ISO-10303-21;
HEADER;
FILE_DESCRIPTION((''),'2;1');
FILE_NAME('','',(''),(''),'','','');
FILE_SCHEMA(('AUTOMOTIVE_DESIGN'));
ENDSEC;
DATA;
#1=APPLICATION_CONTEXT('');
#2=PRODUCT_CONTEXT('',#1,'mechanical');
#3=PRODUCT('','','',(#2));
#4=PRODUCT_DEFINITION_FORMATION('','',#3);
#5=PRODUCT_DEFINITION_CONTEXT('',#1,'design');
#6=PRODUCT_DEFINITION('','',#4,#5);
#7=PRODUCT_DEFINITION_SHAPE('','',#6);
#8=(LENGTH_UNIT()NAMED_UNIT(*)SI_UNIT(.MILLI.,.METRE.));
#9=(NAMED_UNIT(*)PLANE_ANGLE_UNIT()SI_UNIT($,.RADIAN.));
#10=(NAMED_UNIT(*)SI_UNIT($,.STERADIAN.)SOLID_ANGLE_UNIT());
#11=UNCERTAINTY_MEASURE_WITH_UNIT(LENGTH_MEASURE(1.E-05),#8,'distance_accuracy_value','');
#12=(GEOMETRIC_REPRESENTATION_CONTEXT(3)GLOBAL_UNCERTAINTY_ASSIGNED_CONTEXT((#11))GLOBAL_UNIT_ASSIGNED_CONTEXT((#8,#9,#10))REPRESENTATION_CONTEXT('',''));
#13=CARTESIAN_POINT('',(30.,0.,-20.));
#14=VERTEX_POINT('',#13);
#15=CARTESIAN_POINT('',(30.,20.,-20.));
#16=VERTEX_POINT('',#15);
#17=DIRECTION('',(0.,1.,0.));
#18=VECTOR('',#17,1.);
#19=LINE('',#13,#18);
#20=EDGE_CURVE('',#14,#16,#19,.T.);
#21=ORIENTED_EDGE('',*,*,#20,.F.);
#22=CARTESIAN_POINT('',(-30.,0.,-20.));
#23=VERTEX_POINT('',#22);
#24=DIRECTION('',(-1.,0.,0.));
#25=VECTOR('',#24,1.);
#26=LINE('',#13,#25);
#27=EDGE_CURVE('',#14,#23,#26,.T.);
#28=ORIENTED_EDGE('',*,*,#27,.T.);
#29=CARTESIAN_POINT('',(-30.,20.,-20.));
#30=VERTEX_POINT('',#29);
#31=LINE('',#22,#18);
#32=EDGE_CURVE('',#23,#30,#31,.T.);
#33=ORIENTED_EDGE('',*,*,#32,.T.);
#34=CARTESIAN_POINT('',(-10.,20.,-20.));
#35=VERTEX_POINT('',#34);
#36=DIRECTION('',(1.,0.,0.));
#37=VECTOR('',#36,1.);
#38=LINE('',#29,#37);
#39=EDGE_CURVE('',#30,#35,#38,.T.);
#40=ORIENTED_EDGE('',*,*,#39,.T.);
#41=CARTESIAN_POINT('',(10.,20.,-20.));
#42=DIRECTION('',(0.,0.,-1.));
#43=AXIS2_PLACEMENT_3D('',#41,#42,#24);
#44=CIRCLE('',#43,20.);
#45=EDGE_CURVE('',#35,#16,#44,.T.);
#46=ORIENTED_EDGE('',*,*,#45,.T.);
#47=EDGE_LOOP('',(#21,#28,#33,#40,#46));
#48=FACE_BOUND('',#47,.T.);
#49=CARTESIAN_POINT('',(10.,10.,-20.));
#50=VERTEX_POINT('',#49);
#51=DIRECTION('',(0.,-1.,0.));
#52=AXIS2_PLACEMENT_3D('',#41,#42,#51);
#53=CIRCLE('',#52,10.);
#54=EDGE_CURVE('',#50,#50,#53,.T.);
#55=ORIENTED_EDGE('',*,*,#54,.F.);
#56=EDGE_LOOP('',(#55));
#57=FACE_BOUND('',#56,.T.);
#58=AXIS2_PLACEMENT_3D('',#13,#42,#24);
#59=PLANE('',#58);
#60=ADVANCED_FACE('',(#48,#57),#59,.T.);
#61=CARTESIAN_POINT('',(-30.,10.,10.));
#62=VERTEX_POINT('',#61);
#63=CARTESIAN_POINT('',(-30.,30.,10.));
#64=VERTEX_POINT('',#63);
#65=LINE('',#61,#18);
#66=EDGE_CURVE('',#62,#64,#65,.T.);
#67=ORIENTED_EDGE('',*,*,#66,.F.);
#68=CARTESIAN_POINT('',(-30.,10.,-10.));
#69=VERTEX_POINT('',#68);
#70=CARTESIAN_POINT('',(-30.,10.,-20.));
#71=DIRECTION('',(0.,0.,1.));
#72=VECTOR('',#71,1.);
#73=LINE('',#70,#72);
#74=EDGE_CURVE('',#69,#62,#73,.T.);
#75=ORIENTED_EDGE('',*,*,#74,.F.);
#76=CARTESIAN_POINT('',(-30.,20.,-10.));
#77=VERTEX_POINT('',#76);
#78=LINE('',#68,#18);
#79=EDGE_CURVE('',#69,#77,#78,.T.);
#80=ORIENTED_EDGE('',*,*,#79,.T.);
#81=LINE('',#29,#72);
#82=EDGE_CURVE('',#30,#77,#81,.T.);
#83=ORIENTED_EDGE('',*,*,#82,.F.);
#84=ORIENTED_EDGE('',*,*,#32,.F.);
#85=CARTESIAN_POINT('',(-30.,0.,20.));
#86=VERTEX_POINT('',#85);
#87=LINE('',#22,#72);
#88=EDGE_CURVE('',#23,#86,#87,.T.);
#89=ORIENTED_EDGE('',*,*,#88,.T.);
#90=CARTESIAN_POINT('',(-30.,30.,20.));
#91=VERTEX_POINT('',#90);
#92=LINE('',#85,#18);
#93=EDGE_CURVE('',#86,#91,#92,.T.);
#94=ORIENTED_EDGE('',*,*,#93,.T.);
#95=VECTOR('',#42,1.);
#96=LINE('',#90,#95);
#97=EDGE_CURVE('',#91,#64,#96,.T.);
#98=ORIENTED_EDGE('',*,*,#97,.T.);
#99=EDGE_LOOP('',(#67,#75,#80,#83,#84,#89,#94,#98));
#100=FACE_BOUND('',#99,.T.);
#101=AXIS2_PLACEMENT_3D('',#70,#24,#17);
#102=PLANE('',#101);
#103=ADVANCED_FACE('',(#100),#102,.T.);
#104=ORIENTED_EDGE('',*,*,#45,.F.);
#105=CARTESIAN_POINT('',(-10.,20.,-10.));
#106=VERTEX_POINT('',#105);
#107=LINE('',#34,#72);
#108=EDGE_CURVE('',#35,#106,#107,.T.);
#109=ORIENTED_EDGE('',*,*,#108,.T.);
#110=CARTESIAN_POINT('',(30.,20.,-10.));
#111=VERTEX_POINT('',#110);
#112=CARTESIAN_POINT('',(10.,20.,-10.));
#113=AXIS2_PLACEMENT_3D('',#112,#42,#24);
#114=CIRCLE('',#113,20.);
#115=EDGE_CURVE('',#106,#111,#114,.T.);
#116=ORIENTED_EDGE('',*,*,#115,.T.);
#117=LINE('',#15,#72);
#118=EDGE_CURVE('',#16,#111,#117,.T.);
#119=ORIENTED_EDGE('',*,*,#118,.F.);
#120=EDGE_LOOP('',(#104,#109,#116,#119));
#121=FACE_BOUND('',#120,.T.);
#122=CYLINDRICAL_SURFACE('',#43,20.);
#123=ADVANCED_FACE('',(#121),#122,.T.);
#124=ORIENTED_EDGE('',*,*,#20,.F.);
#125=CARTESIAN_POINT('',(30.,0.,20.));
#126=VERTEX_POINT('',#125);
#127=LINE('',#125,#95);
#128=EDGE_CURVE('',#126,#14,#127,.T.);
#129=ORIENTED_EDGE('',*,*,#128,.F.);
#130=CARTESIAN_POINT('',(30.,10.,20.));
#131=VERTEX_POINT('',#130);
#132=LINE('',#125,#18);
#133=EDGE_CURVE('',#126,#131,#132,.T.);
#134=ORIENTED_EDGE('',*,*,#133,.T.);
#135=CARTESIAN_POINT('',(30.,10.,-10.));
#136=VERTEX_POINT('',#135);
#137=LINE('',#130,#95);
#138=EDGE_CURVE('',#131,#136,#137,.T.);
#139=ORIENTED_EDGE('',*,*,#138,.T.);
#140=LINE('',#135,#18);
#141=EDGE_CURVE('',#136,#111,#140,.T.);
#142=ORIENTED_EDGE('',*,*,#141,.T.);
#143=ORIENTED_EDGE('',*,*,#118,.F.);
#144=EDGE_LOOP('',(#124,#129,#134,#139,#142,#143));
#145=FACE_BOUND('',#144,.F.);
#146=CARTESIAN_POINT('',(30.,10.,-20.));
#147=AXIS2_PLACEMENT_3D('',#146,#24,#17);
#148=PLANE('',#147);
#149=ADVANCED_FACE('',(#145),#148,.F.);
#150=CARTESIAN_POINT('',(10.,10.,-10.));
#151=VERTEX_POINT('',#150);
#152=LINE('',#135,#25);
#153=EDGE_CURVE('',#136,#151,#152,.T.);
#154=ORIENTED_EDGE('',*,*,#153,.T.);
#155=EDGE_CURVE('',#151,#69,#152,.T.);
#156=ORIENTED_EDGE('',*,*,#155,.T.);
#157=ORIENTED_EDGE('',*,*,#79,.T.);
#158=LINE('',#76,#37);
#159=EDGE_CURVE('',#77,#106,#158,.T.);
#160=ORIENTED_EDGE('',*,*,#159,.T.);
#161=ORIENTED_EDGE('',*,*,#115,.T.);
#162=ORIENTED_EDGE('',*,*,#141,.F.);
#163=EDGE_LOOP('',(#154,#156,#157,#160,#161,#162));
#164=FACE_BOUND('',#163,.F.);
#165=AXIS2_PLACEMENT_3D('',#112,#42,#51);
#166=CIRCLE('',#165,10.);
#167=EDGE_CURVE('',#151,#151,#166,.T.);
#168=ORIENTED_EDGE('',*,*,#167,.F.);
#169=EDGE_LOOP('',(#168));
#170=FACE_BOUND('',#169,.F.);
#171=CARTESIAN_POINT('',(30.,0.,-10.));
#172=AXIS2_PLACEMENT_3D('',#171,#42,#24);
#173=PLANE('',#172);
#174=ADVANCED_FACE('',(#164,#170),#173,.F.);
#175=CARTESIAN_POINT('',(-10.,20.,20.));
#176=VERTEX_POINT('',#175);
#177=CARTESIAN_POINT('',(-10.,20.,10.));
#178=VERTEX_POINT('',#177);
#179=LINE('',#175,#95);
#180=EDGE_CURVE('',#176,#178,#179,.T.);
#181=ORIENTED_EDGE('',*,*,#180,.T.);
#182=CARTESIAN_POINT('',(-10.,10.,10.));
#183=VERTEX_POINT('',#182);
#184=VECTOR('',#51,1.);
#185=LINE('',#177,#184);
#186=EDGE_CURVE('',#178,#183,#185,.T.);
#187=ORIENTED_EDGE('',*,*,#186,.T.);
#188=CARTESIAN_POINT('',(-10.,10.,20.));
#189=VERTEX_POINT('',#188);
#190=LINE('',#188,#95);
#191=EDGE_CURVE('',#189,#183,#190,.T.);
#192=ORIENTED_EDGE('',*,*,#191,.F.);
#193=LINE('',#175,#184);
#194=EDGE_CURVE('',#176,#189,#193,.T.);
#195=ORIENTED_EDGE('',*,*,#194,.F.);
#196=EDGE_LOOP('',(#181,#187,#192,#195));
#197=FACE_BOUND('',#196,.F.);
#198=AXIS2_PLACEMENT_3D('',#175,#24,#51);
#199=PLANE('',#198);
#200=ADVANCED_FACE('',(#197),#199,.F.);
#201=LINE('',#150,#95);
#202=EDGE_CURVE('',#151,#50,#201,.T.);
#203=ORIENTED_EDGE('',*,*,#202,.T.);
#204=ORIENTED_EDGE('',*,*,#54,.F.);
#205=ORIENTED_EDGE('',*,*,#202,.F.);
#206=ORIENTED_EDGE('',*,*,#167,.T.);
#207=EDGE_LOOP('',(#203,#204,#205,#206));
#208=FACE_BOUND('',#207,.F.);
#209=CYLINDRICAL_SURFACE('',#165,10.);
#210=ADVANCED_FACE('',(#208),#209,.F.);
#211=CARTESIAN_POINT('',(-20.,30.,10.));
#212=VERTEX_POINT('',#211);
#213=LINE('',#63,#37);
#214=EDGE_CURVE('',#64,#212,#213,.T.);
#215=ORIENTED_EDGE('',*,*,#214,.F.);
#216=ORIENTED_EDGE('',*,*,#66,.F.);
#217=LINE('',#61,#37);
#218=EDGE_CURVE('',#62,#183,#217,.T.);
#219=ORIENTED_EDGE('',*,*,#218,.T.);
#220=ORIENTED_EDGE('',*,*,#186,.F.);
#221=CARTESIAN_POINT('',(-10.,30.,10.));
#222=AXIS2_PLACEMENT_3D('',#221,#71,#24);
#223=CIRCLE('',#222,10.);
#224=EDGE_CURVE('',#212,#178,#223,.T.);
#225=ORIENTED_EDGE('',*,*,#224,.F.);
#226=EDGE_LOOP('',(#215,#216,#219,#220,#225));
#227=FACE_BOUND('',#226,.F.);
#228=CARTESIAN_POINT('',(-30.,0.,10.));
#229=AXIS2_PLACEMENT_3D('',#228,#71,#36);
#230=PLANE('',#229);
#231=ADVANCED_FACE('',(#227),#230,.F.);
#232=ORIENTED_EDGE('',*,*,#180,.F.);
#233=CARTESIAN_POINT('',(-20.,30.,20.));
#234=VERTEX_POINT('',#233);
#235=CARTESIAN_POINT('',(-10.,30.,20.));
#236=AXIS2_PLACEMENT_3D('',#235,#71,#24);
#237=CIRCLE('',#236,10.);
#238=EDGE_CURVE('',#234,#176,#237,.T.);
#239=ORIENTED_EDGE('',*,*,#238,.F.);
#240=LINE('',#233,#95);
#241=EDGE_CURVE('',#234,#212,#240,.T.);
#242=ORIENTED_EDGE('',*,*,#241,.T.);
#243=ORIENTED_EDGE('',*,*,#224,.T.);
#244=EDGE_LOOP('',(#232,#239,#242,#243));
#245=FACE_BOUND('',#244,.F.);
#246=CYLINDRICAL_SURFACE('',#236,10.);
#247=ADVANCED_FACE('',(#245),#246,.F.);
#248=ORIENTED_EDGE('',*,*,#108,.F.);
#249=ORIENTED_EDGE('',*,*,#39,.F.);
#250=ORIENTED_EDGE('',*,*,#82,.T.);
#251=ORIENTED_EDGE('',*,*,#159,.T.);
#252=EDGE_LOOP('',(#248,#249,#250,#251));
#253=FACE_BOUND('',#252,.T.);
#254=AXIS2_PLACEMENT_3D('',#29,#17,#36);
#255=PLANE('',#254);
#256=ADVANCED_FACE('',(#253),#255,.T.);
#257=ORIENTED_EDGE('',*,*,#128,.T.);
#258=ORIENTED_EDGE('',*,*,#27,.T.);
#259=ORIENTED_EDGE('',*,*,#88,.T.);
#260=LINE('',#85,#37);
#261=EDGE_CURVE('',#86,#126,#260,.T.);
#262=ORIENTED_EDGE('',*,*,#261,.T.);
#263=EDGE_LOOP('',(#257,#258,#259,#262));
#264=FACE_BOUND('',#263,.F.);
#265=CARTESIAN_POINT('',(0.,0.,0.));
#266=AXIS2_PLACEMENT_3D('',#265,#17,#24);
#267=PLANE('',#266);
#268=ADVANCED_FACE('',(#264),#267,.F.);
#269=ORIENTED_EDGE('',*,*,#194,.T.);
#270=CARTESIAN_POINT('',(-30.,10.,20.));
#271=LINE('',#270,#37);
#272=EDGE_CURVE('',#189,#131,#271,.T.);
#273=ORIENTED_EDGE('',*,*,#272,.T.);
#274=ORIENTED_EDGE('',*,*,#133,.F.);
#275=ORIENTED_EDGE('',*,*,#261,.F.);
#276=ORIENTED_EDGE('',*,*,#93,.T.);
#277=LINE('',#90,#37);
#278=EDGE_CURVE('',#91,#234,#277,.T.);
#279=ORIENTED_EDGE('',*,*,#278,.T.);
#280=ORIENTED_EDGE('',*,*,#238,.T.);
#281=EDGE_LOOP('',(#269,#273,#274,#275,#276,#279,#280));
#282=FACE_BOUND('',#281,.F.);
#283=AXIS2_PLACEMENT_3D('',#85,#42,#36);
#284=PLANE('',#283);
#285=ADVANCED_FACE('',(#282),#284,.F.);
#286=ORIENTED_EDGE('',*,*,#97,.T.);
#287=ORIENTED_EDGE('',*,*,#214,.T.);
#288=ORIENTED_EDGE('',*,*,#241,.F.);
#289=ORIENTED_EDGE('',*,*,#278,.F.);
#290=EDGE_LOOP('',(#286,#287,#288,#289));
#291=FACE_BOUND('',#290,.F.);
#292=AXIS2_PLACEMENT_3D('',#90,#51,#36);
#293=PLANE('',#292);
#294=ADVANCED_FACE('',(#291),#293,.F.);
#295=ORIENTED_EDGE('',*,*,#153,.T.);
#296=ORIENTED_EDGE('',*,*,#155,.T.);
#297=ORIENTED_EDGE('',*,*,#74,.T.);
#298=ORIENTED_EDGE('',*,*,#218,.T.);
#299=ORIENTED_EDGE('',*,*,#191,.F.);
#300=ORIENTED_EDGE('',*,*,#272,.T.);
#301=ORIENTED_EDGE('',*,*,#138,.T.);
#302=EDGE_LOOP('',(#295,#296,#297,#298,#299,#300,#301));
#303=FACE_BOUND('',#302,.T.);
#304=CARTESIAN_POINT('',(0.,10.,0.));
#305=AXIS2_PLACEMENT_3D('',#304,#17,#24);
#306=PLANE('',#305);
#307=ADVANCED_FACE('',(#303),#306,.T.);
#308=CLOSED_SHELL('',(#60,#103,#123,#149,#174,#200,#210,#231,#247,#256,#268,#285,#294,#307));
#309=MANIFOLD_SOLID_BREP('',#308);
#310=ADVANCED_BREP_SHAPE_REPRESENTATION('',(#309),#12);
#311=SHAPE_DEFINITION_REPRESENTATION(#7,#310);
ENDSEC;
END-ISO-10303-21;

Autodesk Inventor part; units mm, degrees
ref_plane "YZ Plane" through (0, 0, 0) normal (1, 0, 0) x (0, 1, 0)
ref_plane "XZ Plane" through (0, 0, 0) normal (0, 1, 0) x (-1, 0, 0)
ref_plane "XY Plane" through (0, 0, 0) normal (0, 0, 1) x (1, 0, 0)
sketch "草圖1" plane through (0, 0, 0) normal (0, 1, 0) x (-1, 0, 0)
  line L0 (30, 20) -> (-30, 20)
  line L1 (-30, 20) -> (-30, -20)
  line L2 (-30, -20) -> (30, -20)
  line L3 (30, -20) -> (30, 20)
  line L4 (30, 20) -> (-30, -20) construction
  line L5 (-30, 20) -> (30, -20) construction
  point P0 (0, 0)
  dimension "d0" = 60
  dimension "d1" = 40
extrude "擠出1" add sketch "草圖1" along normal blind 10
sketch "草圖2" plane through (-30, 0, 20) normal (0, 0, 1) x (1, 0, 0)
  line L0 (0, 0) -> (0, 10) projected
  line L1 (0, 10) -> (60, 10) projected
  line L2 (60, 10) -> (60, 0) projected
  line L3 (60, 0) -> (0, 0) projected
  line L4 (60, 10) -> (0, 10) projected
  line L5 (0, 10) -> (0, 30)
  line L6 (0, 30) -> (10, 30)
  arc A0 (10, 30) -> (20, 20) centre (20, 30) ccw
  line L7 (20, 20) -> (20, 10)
  line L8 (0, 10) -> (60, 10) projected
  point P0 (30, 0)
  dimension "d4" = 20
  dimension "d5" = 30
  dimension "d6" = 10
  dimension "d7" = 10
extrude "擠出2" add sketch "草圖2" against normal blind 10 contours L5 L6 A0 L7 L1
sketch "草圖3" plane through (30, 0, -20) normal (0, 0, -1) x (-1, 0, 0)
  line L0 (60, 10) -> (60, 0) projected
  line L1 (60, 0) -> (0, 0) projected
  line L2 (0, 0) -> (0, 10) projected
  line L3 (0, 10) -> (60, 10) projected
  line L4 (60, 10) -> (60, 20)
  line L5 (60, 20) -> (40, 20)
  line L6 (0, 10) -> (0, 20)
  arc A0 (40, 20) -> (0, 20) centre (20, 20) ccw
  point P0 (30, 0)
  dimension "d10" = 20
  dimension "d11" = 20
extrude "擠出3" add sketch "草圖3" against normal blind 10 contours L3 L6 A0 L5 L4
sketch "草圖4" plane through (30, 0, -10) normal (0, 0, 1) x (1, 0, 0)
  arc A0 (0, 20) -> (-40, 20) centre (-20, 20) ccw projected
  point P0 (-30, 0)
hole "孔1" at (10, 20, -10) direction (0, 0, -1) diameter 20 end through all
properties part number "7" material "鋼、碳鋼"
